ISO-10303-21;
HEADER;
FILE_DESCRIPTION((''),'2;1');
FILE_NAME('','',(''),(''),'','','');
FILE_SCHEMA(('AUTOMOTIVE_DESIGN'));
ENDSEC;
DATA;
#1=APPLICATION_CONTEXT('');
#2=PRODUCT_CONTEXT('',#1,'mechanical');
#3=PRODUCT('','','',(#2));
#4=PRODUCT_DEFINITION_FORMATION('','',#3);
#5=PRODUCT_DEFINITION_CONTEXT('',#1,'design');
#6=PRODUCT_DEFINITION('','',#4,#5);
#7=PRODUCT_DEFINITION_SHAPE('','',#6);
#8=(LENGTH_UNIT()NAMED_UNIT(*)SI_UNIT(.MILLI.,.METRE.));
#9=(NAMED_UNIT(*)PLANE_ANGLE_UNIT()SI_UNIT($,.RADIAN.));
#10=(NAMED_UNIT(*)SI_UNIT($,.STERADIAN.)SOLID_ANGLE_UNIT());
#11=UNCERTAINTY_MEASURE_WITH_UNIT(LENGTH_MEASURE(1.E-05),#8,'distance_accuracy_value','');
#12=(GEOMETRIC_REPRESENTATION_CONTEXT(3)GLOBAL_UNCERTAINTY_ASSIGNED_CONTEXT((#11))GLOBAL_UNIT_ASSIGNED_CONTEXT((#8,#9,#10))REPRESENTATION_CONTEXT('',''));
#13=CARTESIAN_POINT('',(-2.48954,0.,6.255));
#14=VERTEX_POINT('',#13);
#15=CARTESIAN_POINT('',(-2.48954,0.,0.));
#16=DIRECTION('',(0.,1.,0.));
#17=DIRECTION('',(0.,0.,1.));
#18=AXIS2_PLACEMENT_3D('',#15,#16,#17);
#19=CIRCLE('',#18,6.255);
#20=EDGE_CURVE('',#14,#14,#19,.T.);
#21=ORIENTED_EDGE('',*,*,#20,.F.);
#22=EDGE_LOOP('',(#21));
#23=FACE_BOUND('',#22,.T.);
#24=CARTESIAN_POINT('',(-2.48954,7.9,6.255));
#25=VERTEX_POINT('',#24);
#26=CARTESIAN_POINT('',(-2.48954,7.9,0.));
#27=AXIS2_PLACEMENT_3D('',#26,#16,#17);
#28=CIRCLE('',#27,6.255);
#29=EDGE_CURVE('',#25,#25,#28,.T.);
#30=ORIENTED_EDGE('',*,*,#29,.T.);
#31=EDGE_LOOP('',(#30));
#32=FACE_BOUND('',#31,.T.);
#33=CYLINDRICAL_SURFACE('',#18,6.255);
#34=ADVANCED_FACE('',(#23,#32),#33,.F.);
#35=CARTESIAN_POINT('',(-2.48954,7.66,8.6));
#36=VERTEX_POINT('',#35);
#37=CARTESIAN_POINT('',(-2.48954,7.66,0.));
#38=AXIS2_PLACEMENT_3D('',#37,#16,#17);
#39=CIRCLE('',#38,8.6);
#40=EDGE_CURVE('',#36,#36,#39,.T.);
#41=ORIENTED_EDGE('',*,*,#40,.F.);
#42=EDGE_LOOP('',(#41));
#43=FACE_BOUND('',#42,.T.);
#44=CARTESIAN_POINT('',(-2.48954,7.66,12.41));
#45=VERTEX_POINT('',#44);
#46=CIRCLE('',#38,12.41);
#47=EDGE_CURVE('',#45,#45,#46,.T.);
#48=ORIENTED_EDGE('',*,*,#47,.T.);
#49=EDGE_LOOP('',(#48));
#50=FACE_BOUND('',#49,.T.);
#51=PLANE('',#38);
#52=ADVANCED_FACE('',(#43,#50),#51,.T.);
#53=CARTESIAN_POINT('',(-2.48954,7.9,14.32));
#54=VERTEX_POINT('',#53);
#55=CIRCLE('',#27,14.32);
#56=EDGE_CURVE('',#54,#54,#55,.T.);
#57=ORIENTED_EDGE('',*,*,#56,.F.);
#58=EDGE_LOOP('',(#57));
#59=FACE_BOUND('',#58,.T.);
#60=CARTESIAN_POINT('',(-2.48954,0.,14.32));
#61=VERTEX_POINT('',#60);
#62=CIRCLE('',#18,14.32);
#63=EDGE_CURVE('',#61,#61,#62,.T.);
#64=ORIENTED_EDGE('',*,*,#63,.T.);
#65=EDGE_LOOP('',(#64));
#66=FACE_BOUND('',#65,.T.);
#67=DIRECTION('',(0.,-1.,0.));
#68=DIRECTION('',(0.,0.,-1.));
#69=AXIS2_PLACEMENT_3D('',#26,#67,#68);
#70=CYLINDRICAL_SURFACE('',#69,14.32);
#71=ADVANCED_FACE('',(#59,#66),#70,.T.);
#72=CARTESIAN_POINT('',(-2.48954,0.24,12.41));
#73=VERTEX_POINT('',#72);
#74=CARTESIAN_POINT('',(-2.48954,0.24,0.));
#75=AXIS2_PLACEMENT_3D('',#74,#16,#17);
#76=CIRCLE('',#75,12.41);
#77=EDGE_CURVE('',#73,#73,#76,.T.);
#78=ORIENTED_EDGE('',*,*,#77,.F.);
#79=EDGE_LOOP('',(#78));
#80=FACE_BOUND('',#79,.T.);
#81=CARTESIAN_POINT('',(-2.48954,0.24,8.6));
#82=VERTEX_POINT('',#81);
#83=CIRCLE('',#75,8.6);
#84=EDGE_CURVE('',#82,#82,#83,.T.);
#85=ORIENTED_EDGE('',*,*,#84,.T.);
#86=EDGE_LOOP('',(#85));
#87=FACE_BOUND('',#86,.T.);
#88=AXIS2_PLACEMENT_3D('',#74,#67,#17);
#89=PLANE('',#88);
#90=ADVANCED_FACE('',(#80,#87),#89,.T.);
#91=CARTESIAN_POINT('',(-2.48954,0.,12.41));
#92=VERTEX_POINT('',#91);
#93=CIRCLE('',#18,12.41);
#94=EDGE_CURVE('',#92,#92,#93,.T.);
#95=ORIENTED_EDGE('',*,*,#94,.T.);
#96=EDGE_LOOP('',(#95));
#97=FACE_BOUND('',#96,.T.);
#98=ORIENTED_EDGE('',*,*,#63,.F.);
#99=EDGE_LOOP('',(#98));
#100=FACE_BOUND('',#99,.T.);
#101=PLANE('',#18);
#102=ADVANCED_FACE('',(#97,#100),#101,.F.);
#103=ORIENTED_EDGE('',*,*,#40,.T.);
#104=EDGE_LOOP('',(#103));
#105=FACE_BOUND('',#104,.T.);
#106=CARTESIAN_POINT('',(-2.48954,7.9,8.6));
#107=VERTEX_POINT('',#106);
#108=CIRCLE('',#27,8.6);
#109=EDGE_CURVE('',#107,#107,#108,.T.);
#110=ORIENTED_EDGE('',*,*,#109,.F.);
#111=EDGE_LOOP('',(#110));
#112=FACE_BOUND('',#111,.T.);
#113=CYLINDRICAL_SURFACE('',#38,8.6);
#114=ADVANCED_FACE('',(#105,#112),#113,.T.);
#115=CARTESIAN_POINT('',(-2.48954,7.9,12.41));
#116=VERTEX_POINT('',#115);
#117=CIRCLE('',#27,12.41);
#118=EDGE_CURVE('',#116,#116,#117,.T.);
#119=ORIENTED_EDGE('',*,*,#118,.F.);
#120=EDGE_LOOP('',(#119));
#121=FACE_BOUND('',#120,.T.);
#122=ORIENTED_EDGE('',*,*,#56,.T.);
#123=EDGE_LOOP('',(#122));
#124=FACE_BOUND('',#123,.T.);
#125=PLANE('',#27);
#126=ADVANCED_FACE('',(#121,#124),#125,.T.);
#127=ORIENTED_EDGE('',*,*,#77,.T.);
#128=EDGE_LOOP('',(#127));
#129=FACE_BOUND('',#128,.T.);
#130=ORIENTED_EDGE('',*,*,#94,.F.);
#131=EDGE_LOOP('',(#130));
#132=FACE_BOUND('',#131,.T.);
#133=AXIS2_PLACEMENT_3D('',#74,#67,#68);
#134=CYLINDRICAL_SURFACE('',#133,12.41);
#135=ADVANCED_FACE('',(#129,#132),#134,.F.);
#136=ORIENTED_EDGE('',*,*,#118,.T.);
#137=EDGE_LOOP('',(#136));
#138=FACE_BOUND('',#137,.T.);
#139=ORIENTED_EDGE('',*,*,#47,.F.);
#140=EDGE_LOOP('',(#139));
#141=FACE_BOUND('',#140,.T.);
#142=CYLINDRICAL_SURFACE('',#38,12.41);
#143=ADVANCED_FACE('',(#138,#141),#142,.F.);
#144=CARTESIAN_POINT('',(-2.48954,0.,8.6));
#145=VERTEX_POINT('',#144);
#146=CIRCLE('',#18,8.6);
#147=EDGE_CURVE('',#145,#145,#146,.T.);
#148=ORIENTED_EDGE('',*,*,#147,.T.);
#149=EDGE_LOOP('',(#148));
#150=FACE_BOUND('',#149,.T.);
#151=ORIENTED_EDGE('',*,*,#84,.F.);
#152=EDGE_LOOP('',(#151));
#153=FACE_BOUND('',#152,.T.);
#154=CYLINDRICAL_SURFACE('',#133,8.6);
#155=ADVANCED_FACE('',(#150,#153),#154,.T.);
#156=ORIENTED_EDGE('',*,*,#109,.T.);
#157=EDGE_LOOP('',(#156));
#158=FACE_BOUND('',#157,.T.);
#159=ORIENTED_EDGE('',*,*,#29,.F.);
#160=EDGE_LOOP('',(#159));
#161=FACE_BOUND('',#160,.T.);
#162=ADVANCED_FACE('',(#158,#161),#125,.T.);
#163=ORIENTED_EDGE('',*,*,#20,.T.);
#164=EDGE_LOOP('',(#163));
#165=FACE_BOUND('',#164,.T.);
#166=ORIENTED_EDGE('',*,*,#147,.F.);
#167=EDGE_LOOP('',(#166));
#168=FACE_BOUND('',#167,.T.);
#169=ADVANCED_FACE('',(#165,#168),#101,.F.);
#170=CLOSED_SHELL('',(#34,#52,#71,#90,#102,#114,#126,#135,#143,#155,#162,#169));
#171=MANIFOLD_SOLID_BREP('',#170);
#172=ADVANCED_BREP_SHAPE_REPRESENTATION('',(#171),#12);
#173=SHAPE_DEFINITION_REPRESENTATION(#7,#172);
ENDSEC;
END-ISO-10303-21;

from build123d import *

# Parameters (mm, degrees)
ESBO_O1_R                = 14.32
RESSALTO_EXTRUS_O1_DEPTH = 7.9
ESBO_O2_R                = 6.255
CORTE_EXTRUS_O1_DEPTH    = 7.9
ESBO_O3_R                = 12.41
ESBO_O3_R_2              = 8.6
CORTE_EXTRUS_O2_DEPTH    = 0.24


with BuildPart() as part:
    # Esboço1 → Ressalto-extrusão1 (new body)
    with BuildSketch(Plane(origin=(0, 0, 0), x_dir=(1, 0, 0), z_dir=(0, 1, 0))):
        with Locations(Location((-2.489539578, 0, 0), (0, 0, 270))):
            Circle(ESBO_O1_R)
    extrude(amount=RESSALTO_EXTRUS_O1_DEPTH)

    # Esboço2 → Corte-extrusão1 (cut)
    with BuildSketch(Plane(origin=(0, 7.9, 0), x_dir=(1, 0, 0), z_dir=(0, 1, 0))):
        with Locations(Location((-2.489539578, 0, 0), (0, 0, 270))):
            Circle(ESBO_O2_R)
    extrude(amount=-CORTE_EXTRUS_O1_DEPTH, mode=Mode.SUBTRACT)

    # Esboço3 → Corte-extrusão2 (cut)
    with BuildSketch(Plane(origin=(0, 7.9, 0), x_dir=(1, 0, 0), z_dir=(0, 1, 0))):
        with Locations(Location((-2.489539578, 0, 0), (0, 0, 270))):
            Circle(ESBO_O3_R)
        with Locations(Location((-2.489539578, 0, 0), (0, 0, 270))):
            Circle(ESBO_O3_R_2, mode=Mode.SUBTRACT)
    corte_extrus_o2 = extrude(amount=-CORTE_EXTRUS_O2_DEPTH, mode=Mode.SUBTRACT)

    # Espelhar1: Corte-extrusão2 across plane
    add(corte_extrus_o2.mirror(Plane.ZX.offset(3.95)), mode=Mode.SUBTRACT)


solid = part.part
